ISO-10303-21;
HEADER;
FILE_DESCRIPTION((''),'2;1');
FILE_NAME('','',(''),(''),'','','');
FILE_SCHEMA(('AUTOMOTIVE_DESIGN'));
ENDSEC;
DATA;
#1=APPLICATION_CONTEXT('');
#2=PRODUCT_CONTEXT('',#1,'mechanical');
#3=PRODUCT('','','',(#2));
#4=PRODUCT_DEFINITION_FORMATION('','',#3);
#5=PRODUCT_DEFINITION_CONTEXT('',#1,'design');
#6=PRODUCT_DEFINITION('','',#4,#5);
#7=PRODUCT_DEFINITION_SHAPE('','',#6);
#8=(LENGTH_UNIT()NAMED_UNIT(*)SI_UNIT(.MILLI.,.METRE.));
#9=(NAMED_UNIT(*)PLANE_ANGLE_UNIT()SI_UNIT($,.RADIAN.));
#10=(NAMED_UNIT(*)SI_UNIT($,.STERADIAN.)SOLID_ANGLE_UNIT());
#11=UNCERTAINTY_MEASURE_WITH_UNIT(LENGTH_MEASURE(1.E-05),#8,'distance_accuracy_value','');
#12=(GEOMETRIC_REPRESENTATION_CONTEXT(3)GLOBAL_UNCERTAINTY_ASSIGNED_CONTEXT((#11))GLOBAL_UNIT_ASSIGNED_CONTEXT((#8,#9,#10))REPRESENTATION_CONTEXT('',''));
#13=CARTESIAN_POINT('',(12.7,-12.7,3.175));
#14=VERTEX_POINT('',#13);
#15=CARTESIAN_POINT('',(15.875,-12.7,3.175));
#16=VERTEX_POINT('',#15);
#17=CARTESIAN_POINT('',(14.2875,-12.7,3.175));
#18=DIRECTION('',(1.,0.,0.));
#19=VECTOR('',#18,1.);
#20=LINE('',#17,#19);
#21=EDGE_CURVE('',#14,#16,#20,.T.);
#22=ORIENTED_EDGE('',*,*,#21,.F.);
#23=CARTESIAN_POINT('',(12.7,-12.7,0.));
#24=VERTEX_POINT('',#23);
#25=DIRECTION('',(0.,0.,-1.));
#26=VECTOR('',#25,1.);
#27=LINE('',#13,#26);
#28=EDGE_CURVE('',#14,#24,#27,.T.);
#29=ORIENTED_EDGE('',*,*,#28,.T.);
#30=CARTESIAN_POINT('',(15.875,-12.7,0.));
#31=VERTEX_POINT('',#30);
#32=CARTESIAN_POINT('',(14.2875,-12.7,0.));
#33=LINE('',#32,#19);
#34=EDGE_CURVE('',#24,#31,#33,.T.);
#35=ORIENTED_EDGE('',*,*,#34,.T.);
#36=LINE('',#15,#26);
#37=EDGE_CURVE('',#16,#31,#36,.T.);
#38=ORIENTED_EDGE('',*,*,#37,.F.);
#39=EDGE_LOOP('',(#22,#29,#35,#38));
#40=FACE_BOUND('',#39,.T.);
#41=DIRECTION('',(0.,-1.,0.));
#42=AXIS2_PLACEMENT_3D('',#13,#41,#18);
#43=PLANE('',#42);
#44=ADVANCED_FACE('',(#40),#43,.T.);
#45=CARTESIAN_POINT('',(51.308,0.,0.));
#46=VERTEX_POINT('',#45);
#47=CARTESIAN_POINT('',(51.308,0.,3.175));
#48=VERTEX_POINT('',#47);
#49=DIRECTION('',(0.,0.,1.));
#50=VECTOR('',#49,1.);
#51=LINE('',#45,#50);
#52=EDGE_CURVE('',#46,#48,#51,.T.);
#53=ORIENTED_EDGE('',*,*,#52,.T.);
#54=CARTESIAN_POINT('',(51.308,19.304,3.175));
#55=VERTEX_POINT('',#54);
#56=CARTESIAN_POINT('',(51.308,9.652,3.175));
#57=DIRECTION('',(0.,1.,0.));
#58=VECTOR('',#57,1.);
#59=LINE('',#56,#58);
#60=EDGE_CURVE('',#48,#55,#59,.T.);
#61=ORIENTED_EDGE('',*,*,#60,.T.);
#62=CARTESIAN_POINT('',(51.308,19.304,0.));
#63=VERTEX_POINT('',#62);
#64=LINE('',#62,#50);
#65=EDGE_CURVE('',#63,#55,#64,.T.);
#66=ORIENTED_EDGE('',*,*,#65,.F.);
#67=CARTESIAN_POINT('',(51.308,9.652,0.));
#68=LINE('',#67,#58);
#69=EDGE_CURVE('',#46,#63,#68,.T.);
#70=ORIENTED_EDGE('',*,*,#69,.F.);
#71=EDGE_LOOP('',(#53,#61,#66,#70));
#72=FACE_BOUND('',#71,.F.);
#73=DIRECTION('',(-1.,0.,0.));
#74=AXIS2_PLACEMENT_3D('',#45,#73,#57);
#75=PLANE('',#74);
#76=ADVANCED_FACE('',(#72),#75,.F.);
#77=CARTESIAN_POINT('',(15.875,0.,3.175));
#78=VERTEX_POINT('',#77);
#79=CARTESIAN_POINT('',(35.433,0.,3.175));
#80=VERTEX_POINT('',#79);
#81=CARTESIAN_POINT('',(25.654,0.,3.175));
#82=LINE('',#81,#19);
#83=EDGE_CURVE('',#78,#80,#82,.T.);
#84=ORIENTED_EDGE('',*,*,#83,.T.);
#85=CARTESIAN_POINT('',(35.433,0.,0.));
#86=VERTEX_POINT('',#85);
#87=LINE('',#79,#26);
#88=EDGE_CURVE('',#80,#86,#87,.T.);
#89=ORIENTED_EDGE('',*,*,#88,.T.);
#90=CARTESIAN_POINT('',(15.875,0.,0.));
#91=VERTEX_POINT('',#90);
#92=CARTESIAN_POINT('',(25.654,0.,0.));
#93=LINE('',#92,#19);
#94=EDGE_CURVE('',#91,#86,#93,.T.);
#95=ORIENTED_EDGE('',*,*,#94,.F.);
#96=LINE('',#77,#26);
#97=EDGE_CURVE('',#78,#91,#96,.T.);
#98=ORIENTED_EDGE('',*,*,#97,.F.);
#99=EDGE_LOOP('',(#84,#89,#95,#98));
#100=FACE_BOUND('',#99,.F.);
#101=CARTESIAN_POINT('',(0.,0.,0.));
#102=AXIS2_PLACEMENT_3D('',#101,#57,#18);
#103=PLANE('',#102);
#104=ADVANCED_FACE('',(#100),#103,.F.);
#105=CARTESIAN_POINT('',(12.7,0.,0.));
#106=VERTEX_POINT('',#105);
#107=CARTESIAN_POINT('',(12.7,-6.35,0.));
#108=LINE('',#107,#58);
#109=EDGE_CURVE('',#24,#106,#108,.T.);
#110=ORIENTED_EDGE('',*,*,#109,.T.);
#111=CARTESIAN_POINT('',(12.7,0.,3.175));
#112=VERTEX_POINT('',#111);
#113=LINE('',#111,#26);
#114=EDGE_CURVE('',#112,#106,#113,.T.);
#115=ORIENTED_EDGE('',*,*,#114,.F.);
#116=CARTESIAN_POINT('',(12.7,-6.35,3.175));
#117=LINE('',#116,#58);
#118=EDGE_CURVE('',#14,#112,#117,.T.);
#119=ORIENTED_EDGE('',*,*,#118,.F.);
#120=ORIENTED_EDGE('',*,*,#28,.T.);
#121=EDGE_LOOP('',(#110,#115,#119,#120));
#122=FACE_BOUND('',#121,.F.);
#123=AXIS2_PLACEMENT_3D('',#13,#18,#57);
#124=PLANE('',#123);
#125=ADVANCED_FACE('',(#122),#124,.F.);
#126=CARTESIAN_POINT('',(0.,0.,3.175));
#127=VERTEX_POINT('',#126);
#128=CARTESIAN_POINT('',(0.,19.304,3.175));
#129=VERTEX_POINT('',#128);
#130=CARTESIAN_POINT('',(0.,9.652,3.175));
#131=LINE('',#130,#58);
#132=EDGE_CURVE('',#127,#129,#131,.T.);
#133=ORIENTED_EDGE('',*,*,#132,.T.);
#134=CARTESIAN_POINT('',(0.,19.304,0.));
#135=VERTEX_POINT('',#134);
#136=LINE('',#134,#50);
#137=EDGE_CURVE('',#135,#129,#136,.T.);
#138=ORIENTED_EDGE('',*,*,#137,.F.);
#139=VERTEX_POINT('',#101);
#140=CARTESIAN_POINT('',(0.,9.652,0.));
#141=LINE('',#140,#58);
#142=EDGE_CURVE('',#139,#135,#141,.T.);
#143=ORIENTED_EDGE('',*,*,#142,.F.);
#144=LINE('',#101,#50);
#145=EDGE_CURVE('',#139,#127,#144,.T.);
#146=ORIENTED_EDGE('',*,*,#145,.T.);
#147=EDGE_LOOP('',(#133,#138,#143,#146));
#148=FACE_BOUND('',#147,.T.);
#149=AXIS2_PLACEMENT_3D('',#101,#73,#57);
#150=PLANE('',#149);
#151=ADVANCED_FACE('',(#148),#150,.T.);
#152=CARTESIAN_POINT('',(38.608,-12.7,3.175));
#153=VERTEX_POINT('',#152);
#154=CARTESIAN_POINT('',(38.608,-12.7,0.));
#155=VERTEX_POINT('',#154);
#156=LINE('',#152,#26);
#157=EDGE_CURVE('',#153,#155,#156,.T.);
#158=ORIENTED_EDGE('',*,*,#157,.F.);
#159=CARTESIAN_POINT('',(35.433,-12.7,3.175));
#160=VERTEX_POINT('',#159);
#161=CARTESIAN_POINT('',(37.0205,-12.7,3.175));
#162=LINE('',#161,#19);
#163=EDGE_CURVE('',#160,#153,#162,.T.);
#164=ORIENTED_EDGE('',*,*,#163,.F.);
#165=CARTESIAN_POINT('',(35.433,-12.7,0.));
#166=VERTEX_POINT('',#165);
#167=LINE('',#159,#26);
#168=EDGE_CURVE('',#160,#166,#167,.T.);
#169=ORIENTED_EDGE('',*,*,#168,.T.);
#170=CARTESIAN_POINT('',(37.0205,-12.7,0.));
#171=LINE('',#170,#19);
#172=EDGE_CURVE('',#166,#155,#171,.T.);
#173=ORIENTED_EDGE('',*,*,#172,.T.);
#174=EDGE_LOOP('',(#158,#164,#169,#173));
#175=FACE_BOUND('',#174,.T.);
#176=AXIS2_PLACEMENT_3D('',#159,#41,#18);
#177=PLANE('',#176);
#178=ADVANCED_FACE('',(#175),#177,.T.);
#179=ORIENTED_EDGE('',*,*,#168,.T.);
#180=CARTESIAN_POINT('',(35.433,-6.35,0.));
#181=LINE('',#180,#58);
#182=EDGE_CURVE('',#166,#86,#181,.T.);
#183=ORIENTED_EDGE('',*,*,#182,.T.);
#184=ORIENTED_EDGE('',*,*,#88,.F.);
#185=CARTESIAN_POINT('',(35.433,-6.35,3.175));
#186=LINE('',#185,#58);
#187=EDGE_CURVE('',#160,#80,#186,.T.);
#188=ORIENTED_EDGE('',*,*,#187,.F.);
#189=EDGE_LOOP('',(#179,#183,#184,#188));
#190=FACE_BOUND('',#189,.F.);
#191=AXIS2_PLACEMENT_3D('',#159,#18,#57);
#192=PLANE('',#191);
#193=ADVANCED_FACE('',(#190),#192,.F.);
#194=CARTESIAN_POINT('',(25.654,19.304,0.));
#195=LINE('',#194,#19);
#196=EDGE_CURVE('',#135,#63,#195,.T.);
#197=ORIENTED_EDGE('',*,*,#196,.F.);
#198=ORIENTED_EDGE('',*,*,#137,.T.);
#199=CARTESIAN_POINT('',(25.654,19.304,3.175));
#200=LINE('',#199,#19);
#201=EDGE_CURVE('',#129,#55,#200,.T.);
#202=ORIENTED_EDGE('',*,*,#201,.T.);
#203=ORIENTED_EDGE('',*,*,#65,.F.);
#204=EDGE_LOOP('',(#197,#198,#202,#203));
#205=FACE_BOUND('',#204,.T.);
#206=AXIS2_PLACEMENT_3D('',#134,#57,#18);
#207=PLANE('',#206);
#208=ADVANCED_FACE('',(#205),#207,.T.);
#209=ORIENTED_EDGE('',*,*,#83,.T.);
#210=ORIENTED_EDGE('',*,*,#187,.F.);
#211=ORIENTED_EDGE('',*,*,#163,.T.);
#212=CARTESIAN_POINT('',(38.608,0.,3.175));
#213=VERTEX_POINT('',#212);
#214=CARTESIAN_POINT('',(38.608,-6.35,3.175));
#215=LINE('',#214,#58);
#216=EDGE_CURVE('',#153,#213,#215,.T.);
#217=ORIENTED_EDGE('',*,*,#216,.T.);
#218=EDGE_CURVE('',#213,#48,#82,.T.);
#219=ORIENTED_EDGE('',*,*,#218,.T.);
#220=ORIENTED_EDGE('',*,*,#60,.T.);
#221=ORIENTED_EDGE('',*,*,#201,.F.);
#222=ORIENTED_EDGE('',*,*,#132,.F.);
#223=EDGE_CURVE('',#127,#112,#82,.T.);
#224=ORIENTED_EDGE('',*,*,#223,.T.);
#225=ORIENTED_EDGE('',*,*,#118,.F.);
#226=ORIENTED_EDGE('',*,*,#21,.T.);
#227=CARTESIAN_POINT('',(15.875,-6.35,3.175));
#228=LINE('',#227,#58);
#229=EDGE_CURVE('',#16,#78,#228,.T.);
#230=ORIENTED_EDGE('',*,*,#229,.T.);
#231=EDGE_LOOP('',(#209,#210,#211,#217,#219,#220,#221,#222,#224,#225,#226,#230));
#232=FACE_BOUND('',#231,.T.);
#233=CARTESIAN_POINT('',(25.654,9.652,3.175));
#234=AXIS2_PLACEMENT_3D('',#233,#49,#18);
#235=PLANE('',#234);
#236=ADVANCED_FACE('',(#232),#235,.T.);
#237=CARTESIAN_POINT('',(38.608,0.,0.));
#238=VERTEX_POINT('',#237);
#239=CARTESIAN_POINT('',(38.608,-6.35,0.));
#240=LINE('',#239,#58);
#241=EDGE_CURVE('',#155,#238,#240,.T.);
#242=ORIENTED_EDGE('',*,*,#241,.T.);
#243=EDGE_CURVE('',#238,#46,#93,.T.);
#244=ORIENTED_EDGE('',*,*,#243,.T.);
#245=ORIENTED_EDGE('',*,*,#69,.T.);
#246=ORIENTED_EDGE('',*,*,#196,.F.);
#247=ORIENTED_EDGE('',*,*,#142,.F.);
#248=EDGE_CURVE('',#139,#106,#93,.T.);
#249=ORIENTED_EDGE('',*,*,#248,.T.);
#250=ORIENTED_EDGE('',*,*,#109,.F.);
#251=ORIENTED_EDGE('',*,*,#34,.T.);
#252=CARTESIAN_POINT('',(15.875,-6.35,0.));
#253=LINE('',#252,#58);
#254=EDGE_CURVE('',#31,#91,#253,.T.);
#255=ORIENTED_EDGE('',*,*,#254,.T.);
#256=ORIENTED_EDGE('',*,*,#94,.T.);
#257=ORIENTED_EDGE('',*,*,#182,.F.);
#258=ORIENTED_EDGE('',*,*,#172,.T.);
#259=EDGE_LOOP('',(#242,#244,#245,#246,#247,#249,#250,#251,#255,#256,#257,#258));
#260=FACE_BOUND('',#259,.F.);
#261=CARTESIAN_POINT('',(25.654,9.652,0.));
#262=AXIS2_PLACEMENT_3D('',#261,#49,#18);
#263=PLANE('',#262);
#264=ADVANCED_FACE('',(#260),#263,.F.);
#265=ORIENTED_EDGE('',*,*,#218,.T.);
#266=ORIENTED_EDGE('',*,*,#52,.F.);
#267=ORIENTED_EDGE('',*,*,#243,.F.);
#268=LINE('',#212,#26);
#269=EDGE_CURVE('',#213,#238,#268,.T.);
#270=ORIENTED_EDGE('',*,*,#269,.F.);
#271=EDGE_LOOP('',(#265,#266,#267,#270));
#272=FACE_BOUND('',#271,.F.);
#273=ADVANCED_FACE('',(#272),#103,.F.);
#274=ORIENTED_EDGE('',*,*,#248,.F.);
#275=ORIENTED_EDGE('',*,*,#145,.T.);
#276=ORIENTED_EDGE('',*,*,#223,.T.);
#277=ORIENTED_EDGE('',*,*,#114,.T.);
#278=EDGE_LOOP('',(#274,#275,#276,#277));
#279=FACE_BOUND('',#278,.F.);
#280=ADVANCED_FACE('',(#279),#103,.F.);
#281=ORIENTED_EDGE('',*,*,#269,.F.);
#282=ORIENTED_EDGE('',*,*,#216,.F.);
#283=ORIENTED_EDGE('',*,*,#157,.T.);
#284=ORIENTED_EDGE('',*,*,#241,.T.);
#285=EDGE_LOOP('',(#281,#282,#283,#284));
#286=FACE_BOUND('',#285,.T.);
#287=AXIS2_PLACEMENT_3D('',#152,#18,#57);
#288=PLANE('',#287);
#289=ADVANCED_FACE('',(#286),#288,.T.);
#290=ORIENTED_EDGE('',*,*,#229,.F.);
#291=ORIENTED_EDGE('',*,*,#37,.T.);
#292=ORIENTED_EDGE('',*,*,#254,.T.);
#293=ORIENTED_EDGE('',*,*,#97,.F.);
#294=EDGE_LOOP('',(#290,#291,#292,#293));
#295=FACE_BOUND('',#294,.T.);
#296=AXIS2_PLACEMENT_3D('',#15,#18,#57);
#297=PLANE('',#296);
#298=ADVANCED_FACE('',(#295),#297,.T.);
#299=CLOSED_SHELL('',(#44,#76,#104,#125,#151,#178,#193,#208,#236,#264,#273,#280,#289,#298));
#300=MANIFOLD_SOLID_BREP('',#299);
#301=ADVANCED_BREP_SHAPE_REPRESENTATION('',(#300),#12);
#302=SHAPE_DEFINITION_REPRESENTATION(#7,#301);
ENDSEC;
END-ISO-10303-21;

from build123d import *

# Parameters (mm, degrees)
F0_W     = 51.308
F0_H     = 19.304
F1_DEPTH = 3.175
F2_W     = 3.175
F2_H     = 12.7
F3_DEPTH = 3.175


with BuildPart() as f1:
    # F0 (on Top) → F1 (new body)
    with BuildSketch(Plane.XY):
        with Locations((25.654, 9.652)):
            Rectangle(F0_W, F0_H)
    extrude(amount=F1_DEPTH)

    # F2 (on face) → F3 (join)
    with BuildSketch(Plane.XY.offset(3.175)):
        with Locations((37.0205, -6.35)):
            Rectangle(F2_W, F2_H)
        with Locations((14.2875, -6.35)):
            Rectangle(F2_W, F2_H)
    extrude(amount=-F3_DEPTH)


solid = f1.part
